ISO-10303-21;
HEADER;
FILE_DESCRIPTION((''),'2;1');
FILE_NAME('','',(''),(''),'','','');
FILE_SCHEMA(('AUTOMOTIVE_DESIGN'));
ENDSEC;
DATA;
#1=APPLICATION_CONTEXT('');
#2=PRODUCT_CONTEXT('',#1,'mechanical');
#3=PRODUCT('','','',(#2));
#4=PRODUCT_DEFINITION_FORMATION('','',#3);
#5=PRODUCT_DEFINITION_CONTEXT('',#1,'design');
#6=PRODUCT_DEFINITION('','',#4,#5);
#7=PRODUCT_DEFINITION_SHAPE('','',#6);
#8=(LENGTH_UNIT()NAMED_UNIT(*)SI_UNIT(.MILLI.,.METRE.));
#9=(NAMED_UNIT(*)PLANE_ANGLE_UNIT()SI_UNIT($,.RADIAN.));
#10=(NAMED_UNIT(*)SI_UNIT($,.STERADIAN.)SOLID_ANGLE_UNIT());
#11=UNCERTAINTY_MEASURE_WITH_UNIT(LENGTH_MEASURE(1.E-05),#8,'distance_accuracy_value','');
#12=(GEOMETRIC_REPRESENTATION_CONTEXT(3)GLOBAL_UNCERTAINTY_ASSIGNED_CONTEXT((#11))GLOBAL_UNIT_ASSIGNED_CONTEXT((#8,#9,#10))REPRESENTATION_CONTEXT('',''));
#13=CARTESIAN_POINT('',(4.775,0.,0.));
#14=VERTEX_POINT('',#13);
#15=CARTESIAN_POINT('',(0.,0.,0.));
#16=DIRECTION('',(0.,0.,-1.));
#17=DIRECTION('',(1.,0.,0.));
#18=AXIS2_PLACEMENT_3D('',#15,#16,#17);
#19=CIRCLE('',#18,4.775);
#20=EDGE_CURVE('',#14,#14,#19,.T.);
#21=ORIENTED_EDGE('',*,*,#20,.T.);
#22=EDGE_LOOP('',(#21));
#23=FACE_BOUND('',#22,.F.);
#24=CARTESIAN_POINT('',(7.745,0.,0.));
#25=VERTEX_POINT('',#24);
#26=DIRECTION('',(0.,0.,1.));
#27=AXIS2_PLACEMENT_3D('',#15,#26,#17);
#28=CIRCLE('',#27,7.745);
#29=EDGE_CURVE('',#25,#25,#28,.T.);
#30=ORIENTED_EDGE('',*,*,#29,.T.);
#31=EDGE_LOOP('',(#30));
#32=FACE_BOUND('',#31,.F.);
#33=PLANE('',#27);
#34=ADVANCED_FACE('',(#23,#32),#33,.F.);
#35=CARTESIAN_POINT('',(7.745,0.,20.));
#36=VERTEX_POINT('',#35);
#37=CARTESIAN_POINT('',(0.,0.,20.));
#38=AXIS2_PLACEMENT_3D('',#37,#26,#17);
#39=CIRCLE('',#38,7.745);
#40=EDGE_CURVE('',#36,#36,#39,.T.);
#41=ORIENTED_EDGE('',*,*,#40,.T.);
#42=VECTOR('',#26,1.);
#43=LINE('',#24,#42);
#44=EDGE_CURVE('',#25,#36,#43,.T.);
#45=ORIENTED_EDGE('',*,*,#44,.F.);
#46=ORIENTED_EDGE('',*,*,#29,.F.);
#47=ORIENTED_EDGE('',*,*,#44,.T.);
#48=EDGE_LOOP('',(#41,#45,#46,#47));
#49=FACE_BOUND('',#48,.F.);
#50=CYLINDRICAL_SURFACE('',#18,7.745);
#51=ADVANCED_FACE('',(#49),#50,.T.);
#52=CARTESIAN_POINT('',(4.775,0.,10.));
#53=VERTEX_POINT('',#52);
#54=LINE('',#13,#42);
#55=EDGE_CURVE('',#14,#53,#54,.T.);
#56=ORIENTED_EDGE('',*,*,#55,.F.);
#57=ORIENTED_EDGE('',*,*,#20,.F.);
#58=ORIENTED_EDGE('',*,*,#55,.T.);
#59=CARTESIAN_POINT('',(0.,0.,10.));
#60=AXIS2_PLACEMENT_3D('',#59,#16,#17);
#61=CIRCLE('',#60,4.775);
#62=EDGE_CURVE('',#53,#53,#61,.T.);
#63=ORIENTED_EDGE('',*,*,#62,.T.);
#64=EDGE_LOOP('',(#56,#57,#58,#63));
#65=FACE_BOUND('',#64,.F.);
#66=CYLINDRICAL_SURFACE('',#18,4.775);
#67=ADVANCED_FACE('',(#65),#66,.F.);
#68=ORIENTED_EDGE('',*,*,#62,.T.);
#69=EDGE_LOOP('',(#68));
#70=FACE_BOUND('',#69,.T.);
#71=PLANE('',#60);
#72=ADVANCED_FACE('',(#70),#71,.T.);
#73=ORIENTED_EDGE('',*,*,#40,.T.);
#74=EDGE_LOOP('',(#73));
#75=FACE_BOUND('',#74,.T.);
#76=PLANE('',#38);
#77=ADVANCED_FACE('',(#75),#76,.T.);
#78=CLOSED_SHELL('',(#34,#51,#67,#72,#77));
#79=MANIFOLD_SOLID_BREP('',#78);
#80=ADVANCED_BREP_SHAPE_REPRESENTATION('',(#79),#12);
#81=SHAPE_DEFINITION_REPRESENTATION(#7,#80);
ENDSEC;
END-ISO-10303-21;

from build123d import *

# Parameters (mm, degrees)
SKETCH_R     = 7.745
PAD_DEPTH    = 20
SKETCH001_R  = 4.775
POCKET_DEPTH = 10


with BuildPart() as part:
    # Sketch → Pad (new body)
    with BuildSketch(Plane.XY):
        Circle(SKETCH_R)
    extrude(amount=PAD_DEPTH)

    # Sketch001 (on Face2 of Pad) → Pocket (cut)
    with BuildSketch(Plane(origin=(0, 0, 0), x_dir=(1, 0, 0), z_dir=(0, 0, -1))):
        Circle(SKETCH001_R)
    extrude(amount=-POCKET_DEPTH, mode=Mode.SUBTRACT)


solid = part.part
